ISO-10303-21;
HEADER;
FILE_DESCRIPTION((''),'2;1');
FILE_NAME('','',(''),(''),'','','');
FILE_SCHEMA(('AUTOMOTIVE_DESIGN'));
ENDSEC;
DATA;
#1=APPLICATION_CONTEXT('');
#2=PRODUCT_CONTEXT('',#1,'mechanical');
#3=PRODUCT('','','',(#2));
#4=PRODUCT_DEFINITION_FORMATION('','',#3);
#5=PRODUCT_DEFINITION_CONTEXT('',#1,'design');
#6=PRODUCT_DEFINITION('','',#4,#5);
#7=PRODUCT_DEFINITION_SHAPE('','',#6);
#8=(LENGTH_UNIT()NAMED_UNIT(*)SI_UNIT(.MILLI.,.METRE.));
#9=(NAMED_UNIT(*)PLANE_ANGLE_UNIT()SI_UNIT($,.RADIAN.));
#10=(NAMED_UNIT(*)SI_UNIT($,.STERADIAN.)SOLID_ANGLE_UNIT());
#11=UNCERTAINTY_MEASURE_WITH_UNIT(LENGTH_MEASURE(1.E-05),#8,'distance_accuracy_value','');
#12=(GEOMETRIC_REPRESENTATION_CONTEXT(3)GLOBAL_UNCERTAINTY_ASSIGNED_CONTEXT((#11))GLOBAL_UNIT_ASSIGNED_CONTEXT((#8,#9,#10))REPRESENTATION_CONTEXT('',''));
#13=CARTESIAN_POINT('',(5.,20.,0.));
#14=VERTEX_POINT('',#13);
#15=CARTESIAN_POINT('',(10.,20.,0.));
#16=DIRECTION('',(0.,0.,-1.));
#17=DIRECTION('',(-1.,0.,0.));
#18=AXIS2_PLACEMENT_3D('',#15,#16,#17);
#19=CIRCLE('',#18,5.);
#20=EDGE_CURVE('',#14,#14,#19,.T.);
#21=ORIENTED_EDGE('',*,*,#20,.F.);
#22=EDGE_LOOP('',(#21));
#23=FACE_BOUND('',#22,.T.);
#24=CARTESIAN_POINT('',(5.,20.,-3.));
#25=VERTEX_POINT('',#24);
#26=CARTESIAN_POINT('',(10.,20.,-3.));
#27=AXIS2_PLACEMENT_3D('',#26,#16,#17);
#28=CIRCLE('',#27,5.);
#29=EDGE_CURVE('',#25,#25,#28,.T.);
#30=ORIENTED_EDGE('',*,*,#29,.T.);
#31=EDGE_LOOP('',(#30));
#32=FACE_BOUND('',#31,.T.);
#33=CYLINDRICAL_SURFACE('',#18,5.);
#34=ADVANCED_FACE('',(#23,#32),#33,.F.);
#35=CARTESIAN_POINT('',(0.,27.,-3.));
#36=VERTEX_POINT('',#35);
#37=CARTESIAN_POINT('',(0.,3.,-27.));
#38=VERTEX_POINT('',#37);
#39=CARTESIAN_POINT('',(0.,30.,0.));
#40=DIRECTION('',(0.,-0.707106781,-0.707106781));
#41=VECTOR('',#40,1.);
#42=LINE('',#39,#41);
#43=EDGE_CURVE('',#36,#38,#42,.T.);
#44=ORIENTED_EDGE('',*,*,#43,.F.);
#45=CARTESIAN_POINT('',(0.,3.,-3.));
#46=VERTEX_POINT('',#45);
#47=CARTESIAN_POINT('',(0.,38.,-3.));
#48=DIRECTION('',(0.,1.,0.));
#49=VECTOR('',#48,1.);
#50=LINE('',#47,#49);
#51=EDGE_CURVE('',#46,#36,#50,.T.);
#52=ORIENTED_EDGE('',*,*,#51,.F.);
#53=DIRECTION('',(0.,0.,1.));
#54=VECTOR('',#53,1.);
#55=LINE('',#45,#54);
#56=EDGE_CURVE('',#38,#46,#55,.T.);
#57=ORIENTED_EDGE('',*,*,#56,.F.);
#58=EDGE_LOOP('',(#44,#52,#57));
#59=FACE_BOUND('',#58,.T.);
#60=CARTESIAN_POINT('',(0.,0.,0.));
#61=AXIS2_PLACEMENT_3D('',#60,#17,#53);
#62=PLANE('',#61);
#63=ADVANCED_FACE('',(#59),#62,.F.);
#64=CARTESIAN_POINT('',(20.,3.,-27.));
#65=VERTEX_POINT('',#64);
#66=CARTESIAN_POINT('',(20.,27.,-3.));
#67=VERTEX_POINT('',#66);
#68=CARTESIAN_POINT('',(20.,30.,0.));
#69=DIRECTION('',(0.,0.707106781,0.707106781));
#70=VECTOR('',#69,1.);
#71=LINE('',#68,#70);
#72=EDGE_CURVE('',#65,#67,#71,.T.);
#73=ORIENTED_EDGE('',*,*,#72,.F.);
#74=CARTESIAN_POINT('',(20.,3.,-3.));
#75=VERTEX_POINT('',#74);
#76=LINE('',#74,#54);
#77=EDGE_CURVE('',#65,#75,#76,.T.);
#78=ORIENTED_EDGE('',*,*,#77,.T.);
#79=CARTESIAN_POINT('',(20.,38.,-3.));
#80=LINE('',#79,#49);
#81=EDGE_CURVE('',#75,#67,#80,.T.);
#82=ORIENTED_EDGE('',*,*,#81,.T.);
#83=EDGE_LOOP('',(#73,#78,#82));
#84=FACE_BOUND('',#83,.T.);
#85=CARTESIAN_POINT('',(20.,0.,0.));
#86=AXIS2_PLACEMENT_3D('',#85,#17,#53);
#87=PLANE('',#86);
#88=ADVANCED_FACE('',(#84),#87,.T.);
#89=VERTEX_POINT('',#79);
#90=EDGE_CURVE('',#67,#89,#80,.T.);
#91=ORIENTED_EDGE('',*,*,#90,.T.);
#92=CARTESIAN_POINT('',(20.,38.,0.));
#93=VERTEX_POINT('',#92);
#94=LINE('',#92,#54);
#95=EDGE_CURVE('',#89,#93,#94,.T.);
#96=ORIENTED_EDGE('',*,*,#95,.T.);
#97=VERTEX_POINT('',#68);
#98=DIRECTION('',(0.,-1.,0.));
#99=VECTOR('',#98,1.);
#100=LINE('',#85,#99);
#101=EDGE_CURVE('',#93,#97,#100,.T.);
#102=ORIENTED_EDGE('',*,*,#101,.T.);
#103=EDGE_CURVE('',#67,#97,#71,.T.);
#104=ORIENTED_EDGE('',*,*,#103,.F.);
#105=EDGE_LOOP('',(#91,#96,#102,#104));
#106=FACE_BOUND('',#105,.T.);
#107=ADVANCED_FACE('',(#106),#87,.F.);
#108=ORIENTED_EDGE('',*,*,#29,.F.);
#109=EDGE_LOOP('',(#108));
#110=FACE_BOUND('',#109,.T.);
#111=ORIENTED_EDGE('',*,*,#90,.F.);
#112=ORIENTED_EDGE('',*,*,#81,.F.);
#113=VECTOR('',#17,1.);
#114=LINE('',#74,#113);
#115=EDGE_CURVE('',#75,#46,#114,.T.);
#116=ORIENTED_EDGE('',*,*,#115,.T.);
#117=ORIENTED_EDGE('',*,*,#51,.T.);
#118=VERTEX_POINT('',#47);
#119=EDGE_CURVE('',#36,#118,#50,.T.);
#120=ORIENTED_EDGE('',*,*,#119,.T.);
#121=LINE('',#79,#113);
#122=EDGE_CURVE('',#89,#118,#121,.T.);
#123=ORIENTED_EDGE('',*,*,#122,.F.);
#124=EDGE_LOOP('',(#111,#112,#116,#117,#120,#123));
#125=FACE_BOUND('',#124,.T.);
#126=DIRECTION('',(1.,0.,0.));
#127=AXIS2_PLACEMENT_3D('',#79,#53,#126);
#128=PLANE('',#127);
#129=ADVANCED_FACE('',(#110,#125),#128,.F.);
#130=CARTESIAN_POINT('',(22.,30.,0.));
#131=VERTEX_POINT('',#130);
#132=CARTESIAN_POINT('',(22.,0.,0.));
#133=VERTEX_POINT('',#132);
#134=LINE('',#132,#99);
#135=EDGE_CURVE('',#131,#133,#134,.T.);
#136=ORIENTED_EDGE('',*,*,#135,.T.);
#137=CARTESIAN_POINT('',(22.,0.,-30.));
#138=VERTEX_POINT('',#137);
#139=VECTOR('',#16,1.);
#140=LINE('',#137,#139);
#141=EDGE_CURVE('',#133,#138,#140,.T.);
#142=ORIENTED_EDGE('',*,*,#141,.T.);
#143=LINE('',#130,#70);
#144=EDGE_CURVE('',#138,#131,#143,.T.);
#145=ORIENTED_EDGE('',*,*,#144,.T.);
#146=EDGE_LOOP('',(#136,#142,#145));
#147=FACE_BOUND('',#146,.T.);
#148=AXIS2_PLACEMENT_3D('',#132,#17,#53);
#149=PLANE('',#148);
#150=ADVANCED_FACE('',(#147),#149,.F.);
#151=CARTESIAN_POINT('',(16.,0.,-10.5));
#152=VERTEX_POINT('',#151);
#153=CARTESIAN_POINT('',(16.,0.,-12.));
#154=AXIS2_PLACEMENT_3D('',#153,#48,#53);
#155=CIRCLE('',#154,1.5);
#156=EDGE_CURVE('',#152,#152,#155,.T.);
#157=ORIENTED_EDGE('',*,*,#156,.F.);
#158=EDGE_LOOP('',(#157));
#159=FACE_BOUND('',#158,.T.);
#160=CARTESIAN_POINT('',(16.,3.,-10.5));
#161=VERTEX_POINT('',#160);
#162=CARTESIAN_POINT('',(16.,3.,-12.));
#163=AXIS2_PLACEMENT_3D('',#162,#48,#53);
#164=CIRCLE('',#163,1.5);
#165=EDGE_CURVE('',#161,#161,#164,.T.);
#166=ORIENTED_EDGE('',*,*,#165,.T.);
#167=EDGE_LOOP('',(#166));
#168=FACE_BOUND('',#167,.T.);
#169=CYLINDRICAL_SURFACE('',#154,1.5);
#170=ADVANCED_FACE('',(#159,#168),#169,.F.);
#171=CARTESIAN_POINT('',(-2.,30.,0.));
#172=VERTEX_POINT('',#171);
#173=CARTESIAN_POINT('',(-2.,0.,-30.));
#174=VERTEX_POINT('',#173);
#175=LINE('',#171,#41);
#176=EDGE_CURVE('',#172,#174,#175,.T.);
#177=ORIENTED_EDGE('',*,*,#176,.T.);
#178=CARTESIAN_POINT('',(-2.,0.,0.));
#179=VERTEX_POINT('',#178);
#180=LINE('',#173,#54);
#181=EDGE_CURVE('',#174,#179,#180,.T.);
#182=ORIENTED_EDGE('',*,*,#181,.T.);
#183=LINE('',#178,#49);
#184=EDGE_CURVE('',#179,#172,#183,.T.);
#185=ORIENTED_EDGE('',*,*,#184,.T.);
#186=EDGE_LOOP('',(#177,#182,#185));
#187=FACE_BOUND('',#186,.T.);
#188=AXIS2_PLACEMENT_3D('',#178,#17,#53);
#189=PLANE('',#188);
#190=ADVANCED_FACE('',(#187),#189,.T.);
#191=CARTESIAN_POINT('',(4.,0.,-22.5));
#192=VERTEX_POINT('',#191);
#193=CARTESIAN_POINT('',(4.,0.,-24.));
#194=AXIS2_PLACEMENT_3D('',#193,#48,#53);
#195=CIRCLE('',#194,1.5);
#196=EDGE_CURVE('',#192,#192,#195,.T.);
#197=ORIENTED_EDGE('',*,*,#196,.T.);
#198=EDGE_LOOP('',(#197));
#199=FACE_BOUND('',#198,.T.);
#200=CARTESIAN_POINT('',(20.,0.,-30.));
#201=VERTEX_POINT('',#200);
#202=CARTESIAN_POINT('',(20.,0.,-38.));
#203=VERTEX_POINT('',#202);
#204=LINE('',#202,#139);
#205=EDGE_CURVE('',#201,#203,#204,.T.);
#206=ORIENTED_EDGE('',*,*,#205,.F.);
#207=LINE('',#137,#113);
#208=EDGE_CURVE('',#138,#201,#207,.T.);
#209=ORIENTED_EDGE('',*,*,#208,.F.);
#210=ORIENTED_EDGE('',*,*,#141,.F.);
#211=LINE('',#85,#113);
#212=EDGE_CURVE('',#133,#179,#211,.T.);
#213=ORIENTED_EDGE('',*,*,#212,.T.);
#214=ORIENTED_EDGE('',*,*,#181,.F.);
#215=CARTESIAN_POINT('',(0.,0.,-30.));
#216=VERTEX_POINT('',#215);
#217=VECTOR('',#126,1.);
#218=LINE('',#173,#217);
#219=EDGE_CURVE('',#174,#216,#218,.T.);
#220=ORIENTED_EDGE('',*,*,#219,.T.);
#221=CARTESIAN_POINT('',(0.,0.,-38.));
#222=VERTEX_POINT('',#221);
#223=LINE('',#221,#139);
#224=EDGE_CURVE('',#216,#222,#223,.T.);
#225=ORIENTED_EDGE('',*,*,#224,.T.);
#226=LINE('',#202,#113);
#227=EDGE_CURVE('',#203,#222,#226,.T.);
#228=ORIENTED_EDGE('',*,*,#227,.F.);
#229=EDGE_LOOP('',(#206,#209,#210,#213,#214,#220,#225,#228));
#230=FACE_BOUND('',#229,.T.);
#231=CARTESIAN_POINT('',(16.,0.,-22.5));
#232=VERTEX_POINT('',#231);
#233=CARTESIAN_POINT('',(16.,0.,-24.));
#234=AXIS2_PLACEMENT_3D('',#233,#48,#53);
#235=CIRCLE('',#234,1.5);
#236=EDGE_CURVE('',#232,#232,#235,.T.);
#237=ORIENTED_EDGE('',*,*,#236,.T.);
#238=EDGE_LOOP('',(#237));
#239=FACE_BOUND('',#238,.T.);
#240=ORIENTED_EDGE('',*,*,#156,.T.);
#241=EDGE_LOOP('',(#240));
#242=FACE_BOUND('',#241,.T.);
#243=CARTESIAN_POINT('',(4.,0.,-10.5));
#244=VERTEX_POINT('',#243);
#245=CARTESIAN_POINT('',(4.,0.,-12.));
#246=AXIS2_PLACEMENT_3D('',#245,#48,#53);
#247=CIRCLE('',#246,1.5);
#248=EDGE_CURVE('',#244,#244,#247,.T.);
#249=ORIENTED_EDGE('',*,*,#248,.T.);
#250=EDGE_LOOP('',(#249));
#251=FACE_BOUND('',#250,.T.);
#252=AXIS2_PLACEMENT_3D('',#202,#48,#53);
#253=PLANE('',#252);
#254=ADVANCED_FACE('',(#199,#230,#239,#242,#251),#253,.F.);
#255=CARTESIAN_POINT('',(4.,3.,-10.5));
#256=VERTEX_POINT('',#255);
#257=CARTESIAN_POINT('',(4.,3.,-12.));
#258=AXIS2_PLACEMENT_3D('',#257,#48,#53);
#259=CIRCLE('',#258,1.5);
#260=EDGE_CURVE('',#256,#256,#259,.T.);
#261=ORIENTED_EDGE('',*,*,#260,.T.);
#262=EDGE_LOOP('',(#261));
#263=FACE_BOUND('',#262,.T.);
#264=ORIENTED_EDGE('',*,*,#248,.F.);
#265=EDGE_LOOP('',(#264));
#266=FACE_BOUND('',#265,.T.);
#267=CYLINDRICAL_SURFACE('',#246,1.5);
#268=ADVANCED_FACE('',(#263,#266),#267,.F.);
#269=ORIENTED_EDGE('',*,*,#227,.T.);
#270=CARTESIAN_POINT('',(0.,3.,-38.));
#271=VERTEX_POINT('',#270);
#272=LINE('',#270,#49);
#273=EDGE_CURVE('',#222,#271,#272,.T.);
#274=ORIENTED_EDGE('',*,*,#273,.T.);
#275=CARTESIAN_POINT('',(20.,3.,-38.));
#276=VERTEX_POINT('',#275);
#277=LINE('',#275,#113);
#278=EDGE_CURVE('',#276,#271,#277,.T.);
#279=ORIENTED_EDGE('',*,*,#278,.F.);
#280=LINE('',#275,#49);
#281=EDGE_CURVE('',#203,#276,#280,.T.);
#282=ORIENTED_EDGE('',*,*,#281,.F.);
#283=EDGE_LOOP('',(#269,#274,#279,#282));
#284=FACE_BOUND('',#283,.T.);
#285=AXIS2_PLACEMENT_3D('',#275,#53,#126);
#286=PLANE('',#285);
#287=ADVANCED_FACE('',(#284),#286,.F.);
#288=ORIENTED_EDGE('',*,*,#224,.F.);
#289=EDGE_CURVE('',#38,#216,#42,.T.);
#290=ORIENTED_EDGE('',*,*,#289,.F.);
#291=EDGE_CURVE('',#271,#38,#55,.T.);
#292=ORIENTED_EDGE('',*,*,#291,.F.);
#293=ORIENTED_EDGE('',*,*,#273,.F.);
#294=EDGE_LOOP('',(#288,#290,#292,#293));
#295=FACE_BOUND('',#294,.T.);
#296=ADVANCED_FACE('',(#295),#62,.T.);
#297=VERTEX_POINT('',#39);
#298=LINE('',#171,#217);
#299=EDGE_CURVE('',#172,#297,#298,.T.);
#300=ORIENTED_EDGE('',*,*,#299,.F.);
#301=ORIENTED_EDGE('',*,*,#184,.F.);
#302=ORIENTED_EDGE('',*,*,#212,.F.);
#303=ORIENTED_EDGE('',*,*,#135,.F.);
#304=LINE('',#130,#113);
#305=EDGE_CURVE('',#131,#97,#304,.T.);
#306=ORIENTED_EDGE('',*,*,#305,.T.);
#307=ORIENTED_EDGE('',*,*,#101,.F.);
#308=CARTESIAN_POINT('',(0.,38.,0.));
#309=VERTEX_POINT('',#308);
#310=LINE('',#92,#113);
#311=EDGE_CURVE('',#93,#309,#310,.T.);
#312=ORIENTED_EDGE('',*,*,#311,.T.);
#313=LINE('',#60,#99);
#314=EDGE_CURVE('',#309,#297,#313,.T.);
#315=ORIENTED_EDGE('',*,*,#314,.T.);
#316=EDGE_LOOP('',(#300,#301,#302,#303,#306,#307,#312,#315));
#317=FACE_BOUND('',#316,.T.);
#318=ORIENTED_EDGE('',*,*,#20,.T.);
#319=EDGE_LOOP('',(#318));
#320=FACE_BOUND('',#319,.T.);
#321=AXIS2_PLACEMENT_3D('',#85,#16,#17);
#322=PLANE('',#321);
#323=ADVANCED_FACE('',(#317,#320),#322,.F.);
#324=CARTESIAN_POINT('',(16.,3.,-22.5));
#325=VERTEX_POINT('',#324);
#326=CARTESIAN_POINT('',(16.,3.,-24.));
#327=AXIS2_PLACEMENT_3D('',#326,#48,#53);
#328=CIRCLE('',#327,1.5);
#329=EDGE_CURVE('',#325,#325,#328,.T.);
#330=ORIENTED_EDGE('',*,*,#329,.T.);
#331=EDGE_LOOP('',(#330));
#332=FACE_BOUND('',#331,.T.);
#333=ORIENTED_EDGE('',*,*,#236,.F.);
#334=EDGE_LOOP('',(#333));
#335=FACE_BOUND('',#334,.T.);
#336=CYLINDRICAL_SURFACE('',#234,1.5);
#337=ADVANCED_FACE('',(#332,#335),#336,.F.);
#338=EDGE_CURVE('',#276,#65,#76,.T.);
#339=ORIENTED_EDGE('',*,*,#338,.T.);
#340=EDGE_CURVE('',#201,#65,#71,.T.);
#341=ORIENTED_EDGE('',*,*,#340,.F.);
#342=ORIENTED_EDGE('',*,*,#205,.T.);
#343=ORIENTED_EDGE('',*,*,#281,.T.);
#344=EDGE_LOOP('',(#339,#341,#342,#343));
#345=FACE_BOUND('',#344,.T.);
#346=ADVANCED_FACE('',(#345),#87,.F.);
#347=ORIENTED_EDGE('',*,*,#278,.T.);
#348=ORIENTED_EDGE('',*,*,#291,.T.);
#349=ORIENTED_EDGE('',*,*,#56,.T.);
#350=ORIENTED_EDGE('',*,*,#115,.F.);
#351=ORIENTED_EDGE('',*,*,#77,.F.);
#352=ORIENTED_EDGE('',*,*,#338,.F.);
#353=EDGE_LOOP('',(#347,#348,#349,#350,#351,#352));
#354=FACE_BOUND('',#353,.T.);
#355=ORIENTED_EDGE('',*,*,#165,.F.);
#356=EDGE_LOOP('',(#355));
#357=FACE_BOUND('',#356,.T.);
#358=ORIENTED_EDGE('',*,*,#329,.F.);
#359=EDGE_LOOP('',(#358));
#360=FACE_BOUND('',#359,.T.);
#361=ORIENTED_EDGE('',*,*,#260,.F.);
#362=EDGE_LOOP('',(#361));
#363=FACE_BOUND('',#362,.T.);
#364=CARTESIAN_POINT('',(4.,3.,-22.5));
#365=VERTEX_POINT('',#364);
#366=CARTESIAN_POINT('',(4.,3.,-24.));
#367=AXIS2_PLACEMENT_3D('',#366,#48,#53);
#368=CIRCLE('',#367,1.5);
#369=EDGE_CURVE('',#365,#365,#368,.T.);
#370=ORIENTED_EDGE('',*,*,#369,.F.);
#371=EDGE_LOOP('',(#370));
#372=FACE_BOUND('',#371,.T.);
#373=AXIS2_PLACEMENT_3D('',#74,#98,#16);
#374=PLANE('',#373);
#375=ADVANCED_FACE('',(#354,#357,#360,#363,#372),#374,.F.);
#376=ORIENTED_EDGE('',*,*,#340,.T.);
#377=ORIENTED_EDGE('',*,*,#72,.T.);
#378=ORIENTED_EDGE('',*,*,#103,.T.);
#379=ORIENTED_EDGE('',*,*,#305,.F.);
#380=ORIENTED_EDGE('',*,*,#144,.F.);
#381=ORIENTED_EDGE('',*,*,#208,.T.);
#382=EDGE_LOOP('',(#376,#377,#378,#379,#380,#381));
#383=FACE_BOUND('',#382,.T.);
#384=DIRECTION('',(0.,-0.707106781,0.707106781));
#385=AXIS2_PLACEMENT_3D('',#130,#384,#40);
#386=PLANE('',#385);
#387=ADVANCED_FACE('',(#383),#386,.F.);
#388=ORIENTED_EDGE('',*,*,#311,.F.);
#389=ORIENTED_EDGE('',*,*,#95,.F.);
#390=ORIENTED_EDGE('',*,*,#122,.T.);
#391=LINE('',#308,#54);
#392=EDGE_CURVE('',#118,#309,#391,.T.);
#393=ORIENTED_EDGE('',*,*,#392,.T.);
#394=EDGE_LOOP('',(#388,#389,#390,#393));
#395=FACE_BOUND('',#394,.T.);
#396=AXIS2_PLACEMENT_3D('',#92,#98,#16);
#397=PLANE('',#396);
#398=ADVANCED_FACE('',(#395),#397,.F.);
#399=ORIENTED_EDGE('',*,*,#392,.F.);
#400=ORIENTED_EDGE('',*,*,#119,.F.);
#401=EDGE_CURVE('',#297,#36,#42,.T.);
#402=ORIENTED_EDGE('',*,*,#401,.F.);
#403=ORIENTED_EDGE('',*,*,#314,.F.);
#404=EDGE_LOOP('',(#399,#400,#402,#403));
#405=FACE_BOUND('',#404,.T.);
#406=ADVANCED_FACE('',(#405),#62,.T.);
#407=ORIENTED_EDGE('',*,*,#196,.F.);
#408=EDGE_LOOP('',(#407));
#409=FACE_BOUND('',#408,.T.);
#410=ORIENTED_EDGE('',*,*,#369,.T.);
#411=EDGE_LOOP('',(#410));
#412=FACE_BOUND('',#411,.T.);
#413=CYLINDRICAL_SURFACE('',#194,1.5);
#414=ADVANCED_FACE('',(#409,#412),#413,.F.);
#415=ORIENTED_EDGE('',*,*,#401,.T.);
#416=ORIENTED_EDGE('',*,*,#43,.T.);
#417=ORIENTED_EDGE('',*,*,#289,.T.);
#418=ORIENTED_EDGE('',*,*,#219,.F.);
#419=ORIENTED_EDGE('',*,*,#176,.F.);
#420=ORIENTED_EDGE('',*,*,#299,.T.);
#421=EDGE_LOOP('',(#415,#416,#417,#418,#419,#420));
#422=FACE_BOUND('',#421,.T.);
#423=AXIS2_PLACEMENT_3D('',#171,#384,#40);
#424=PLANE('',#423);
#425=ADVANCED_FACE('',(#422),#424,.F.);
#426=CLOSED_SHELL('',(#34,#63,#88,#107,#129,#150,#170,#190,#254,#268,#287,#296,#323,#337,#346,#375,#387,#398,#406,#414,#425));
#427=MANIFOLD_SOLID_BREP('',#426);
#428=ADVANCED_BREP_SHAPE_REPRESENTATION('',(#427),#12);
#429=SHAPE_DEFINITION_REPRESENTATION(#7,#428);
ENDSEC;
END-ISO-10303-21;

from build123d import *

# Parameters (mm, degrees)
EXTRUDE_1_DEPTH     = 20
SKETCH_3_R          = 1.5
CUT_EXTRUDE_1_DEPTH = 56.398555938
SKETCH_5_R          = 5
CUT_EXTRUDE_3_DEPTH = 56.398555938
EXTRUDE_2_DEPTH     = 2
EXTRUDE_3_DEPTH     = 2


with BuildPart() as part:
    # 草图1 → 凸台-拉伸1 (new body)
    with BuildSketch(Plane(origin=(0, 0, 0), x_dir=(0, 0, -1), z_dir=(1, 0, 0))):
        Polygon((0, 0), (0, 38), (3, 38), (3, 3), (38, 3), (38, 0), align=None)
    extrude(amount=EXTRUDE_1_DEPTH)

    # 草图3 → 切除-拉伸1 (cut, through all)
    with BuildSketch(Plane(origin=(0, 3, 0), x_dir=(1, 0, 0), z_dir=(0, 1, 0))):
        with Locations(Location((16, 12, 0), (0, 0, 270))):
            Circle(SKETCH_3_R)
        with Locations(Location((4, 12, 0), (0, 0, 270))):
            Circle(SKETCH_3_R)
        with Locations(Location((4, 24, 0), (0, 0, 270))):
            Circle(SKETCH_3_R)
        with Locations(Location((16, 24, 0), (0, 0, 270))):
            Circle(SKETCH_3_R)
    extrude(amount=-CUT_EXTRUDE_1_DEPTH, mode=Mode.SUBTRACT)

    # 草图5 → 切除-拉伸3 (cut, through all)
    with BuildSketch(Plane(origin=(0, 0, -3), x_dir=(-1, 0, 0), z_dir=(0, 0, -1))):
        with Locations((-10, 20)):
            Circle(SKETCH_5_R)
    extrude(amount=-CUT_EXTRUDE_3_DEPTH, mode=Mode.SUBTRACT)

    # 草图6 → 凸台-拉伸2 (add)
    with BuildSketch(Plane.ZY):
        Polygon((0, 0), (0, 30), (-30, 0), align=None)
    extrude(amount=EXTRUDE_2_DEPTH)

    # 草图7 → 凸台-拉伸3 (add)
    with BuildSketch(Plane(origin=(20, 0, 0), x_dir=(0, 0, -1), z_dir=(1, 0, 0))):
        Polygon((0, 0), (0, 30), (30, 0), align=None)
    extrude(amount=EXTRUDE_3_DEPTH)


solid = part.part
